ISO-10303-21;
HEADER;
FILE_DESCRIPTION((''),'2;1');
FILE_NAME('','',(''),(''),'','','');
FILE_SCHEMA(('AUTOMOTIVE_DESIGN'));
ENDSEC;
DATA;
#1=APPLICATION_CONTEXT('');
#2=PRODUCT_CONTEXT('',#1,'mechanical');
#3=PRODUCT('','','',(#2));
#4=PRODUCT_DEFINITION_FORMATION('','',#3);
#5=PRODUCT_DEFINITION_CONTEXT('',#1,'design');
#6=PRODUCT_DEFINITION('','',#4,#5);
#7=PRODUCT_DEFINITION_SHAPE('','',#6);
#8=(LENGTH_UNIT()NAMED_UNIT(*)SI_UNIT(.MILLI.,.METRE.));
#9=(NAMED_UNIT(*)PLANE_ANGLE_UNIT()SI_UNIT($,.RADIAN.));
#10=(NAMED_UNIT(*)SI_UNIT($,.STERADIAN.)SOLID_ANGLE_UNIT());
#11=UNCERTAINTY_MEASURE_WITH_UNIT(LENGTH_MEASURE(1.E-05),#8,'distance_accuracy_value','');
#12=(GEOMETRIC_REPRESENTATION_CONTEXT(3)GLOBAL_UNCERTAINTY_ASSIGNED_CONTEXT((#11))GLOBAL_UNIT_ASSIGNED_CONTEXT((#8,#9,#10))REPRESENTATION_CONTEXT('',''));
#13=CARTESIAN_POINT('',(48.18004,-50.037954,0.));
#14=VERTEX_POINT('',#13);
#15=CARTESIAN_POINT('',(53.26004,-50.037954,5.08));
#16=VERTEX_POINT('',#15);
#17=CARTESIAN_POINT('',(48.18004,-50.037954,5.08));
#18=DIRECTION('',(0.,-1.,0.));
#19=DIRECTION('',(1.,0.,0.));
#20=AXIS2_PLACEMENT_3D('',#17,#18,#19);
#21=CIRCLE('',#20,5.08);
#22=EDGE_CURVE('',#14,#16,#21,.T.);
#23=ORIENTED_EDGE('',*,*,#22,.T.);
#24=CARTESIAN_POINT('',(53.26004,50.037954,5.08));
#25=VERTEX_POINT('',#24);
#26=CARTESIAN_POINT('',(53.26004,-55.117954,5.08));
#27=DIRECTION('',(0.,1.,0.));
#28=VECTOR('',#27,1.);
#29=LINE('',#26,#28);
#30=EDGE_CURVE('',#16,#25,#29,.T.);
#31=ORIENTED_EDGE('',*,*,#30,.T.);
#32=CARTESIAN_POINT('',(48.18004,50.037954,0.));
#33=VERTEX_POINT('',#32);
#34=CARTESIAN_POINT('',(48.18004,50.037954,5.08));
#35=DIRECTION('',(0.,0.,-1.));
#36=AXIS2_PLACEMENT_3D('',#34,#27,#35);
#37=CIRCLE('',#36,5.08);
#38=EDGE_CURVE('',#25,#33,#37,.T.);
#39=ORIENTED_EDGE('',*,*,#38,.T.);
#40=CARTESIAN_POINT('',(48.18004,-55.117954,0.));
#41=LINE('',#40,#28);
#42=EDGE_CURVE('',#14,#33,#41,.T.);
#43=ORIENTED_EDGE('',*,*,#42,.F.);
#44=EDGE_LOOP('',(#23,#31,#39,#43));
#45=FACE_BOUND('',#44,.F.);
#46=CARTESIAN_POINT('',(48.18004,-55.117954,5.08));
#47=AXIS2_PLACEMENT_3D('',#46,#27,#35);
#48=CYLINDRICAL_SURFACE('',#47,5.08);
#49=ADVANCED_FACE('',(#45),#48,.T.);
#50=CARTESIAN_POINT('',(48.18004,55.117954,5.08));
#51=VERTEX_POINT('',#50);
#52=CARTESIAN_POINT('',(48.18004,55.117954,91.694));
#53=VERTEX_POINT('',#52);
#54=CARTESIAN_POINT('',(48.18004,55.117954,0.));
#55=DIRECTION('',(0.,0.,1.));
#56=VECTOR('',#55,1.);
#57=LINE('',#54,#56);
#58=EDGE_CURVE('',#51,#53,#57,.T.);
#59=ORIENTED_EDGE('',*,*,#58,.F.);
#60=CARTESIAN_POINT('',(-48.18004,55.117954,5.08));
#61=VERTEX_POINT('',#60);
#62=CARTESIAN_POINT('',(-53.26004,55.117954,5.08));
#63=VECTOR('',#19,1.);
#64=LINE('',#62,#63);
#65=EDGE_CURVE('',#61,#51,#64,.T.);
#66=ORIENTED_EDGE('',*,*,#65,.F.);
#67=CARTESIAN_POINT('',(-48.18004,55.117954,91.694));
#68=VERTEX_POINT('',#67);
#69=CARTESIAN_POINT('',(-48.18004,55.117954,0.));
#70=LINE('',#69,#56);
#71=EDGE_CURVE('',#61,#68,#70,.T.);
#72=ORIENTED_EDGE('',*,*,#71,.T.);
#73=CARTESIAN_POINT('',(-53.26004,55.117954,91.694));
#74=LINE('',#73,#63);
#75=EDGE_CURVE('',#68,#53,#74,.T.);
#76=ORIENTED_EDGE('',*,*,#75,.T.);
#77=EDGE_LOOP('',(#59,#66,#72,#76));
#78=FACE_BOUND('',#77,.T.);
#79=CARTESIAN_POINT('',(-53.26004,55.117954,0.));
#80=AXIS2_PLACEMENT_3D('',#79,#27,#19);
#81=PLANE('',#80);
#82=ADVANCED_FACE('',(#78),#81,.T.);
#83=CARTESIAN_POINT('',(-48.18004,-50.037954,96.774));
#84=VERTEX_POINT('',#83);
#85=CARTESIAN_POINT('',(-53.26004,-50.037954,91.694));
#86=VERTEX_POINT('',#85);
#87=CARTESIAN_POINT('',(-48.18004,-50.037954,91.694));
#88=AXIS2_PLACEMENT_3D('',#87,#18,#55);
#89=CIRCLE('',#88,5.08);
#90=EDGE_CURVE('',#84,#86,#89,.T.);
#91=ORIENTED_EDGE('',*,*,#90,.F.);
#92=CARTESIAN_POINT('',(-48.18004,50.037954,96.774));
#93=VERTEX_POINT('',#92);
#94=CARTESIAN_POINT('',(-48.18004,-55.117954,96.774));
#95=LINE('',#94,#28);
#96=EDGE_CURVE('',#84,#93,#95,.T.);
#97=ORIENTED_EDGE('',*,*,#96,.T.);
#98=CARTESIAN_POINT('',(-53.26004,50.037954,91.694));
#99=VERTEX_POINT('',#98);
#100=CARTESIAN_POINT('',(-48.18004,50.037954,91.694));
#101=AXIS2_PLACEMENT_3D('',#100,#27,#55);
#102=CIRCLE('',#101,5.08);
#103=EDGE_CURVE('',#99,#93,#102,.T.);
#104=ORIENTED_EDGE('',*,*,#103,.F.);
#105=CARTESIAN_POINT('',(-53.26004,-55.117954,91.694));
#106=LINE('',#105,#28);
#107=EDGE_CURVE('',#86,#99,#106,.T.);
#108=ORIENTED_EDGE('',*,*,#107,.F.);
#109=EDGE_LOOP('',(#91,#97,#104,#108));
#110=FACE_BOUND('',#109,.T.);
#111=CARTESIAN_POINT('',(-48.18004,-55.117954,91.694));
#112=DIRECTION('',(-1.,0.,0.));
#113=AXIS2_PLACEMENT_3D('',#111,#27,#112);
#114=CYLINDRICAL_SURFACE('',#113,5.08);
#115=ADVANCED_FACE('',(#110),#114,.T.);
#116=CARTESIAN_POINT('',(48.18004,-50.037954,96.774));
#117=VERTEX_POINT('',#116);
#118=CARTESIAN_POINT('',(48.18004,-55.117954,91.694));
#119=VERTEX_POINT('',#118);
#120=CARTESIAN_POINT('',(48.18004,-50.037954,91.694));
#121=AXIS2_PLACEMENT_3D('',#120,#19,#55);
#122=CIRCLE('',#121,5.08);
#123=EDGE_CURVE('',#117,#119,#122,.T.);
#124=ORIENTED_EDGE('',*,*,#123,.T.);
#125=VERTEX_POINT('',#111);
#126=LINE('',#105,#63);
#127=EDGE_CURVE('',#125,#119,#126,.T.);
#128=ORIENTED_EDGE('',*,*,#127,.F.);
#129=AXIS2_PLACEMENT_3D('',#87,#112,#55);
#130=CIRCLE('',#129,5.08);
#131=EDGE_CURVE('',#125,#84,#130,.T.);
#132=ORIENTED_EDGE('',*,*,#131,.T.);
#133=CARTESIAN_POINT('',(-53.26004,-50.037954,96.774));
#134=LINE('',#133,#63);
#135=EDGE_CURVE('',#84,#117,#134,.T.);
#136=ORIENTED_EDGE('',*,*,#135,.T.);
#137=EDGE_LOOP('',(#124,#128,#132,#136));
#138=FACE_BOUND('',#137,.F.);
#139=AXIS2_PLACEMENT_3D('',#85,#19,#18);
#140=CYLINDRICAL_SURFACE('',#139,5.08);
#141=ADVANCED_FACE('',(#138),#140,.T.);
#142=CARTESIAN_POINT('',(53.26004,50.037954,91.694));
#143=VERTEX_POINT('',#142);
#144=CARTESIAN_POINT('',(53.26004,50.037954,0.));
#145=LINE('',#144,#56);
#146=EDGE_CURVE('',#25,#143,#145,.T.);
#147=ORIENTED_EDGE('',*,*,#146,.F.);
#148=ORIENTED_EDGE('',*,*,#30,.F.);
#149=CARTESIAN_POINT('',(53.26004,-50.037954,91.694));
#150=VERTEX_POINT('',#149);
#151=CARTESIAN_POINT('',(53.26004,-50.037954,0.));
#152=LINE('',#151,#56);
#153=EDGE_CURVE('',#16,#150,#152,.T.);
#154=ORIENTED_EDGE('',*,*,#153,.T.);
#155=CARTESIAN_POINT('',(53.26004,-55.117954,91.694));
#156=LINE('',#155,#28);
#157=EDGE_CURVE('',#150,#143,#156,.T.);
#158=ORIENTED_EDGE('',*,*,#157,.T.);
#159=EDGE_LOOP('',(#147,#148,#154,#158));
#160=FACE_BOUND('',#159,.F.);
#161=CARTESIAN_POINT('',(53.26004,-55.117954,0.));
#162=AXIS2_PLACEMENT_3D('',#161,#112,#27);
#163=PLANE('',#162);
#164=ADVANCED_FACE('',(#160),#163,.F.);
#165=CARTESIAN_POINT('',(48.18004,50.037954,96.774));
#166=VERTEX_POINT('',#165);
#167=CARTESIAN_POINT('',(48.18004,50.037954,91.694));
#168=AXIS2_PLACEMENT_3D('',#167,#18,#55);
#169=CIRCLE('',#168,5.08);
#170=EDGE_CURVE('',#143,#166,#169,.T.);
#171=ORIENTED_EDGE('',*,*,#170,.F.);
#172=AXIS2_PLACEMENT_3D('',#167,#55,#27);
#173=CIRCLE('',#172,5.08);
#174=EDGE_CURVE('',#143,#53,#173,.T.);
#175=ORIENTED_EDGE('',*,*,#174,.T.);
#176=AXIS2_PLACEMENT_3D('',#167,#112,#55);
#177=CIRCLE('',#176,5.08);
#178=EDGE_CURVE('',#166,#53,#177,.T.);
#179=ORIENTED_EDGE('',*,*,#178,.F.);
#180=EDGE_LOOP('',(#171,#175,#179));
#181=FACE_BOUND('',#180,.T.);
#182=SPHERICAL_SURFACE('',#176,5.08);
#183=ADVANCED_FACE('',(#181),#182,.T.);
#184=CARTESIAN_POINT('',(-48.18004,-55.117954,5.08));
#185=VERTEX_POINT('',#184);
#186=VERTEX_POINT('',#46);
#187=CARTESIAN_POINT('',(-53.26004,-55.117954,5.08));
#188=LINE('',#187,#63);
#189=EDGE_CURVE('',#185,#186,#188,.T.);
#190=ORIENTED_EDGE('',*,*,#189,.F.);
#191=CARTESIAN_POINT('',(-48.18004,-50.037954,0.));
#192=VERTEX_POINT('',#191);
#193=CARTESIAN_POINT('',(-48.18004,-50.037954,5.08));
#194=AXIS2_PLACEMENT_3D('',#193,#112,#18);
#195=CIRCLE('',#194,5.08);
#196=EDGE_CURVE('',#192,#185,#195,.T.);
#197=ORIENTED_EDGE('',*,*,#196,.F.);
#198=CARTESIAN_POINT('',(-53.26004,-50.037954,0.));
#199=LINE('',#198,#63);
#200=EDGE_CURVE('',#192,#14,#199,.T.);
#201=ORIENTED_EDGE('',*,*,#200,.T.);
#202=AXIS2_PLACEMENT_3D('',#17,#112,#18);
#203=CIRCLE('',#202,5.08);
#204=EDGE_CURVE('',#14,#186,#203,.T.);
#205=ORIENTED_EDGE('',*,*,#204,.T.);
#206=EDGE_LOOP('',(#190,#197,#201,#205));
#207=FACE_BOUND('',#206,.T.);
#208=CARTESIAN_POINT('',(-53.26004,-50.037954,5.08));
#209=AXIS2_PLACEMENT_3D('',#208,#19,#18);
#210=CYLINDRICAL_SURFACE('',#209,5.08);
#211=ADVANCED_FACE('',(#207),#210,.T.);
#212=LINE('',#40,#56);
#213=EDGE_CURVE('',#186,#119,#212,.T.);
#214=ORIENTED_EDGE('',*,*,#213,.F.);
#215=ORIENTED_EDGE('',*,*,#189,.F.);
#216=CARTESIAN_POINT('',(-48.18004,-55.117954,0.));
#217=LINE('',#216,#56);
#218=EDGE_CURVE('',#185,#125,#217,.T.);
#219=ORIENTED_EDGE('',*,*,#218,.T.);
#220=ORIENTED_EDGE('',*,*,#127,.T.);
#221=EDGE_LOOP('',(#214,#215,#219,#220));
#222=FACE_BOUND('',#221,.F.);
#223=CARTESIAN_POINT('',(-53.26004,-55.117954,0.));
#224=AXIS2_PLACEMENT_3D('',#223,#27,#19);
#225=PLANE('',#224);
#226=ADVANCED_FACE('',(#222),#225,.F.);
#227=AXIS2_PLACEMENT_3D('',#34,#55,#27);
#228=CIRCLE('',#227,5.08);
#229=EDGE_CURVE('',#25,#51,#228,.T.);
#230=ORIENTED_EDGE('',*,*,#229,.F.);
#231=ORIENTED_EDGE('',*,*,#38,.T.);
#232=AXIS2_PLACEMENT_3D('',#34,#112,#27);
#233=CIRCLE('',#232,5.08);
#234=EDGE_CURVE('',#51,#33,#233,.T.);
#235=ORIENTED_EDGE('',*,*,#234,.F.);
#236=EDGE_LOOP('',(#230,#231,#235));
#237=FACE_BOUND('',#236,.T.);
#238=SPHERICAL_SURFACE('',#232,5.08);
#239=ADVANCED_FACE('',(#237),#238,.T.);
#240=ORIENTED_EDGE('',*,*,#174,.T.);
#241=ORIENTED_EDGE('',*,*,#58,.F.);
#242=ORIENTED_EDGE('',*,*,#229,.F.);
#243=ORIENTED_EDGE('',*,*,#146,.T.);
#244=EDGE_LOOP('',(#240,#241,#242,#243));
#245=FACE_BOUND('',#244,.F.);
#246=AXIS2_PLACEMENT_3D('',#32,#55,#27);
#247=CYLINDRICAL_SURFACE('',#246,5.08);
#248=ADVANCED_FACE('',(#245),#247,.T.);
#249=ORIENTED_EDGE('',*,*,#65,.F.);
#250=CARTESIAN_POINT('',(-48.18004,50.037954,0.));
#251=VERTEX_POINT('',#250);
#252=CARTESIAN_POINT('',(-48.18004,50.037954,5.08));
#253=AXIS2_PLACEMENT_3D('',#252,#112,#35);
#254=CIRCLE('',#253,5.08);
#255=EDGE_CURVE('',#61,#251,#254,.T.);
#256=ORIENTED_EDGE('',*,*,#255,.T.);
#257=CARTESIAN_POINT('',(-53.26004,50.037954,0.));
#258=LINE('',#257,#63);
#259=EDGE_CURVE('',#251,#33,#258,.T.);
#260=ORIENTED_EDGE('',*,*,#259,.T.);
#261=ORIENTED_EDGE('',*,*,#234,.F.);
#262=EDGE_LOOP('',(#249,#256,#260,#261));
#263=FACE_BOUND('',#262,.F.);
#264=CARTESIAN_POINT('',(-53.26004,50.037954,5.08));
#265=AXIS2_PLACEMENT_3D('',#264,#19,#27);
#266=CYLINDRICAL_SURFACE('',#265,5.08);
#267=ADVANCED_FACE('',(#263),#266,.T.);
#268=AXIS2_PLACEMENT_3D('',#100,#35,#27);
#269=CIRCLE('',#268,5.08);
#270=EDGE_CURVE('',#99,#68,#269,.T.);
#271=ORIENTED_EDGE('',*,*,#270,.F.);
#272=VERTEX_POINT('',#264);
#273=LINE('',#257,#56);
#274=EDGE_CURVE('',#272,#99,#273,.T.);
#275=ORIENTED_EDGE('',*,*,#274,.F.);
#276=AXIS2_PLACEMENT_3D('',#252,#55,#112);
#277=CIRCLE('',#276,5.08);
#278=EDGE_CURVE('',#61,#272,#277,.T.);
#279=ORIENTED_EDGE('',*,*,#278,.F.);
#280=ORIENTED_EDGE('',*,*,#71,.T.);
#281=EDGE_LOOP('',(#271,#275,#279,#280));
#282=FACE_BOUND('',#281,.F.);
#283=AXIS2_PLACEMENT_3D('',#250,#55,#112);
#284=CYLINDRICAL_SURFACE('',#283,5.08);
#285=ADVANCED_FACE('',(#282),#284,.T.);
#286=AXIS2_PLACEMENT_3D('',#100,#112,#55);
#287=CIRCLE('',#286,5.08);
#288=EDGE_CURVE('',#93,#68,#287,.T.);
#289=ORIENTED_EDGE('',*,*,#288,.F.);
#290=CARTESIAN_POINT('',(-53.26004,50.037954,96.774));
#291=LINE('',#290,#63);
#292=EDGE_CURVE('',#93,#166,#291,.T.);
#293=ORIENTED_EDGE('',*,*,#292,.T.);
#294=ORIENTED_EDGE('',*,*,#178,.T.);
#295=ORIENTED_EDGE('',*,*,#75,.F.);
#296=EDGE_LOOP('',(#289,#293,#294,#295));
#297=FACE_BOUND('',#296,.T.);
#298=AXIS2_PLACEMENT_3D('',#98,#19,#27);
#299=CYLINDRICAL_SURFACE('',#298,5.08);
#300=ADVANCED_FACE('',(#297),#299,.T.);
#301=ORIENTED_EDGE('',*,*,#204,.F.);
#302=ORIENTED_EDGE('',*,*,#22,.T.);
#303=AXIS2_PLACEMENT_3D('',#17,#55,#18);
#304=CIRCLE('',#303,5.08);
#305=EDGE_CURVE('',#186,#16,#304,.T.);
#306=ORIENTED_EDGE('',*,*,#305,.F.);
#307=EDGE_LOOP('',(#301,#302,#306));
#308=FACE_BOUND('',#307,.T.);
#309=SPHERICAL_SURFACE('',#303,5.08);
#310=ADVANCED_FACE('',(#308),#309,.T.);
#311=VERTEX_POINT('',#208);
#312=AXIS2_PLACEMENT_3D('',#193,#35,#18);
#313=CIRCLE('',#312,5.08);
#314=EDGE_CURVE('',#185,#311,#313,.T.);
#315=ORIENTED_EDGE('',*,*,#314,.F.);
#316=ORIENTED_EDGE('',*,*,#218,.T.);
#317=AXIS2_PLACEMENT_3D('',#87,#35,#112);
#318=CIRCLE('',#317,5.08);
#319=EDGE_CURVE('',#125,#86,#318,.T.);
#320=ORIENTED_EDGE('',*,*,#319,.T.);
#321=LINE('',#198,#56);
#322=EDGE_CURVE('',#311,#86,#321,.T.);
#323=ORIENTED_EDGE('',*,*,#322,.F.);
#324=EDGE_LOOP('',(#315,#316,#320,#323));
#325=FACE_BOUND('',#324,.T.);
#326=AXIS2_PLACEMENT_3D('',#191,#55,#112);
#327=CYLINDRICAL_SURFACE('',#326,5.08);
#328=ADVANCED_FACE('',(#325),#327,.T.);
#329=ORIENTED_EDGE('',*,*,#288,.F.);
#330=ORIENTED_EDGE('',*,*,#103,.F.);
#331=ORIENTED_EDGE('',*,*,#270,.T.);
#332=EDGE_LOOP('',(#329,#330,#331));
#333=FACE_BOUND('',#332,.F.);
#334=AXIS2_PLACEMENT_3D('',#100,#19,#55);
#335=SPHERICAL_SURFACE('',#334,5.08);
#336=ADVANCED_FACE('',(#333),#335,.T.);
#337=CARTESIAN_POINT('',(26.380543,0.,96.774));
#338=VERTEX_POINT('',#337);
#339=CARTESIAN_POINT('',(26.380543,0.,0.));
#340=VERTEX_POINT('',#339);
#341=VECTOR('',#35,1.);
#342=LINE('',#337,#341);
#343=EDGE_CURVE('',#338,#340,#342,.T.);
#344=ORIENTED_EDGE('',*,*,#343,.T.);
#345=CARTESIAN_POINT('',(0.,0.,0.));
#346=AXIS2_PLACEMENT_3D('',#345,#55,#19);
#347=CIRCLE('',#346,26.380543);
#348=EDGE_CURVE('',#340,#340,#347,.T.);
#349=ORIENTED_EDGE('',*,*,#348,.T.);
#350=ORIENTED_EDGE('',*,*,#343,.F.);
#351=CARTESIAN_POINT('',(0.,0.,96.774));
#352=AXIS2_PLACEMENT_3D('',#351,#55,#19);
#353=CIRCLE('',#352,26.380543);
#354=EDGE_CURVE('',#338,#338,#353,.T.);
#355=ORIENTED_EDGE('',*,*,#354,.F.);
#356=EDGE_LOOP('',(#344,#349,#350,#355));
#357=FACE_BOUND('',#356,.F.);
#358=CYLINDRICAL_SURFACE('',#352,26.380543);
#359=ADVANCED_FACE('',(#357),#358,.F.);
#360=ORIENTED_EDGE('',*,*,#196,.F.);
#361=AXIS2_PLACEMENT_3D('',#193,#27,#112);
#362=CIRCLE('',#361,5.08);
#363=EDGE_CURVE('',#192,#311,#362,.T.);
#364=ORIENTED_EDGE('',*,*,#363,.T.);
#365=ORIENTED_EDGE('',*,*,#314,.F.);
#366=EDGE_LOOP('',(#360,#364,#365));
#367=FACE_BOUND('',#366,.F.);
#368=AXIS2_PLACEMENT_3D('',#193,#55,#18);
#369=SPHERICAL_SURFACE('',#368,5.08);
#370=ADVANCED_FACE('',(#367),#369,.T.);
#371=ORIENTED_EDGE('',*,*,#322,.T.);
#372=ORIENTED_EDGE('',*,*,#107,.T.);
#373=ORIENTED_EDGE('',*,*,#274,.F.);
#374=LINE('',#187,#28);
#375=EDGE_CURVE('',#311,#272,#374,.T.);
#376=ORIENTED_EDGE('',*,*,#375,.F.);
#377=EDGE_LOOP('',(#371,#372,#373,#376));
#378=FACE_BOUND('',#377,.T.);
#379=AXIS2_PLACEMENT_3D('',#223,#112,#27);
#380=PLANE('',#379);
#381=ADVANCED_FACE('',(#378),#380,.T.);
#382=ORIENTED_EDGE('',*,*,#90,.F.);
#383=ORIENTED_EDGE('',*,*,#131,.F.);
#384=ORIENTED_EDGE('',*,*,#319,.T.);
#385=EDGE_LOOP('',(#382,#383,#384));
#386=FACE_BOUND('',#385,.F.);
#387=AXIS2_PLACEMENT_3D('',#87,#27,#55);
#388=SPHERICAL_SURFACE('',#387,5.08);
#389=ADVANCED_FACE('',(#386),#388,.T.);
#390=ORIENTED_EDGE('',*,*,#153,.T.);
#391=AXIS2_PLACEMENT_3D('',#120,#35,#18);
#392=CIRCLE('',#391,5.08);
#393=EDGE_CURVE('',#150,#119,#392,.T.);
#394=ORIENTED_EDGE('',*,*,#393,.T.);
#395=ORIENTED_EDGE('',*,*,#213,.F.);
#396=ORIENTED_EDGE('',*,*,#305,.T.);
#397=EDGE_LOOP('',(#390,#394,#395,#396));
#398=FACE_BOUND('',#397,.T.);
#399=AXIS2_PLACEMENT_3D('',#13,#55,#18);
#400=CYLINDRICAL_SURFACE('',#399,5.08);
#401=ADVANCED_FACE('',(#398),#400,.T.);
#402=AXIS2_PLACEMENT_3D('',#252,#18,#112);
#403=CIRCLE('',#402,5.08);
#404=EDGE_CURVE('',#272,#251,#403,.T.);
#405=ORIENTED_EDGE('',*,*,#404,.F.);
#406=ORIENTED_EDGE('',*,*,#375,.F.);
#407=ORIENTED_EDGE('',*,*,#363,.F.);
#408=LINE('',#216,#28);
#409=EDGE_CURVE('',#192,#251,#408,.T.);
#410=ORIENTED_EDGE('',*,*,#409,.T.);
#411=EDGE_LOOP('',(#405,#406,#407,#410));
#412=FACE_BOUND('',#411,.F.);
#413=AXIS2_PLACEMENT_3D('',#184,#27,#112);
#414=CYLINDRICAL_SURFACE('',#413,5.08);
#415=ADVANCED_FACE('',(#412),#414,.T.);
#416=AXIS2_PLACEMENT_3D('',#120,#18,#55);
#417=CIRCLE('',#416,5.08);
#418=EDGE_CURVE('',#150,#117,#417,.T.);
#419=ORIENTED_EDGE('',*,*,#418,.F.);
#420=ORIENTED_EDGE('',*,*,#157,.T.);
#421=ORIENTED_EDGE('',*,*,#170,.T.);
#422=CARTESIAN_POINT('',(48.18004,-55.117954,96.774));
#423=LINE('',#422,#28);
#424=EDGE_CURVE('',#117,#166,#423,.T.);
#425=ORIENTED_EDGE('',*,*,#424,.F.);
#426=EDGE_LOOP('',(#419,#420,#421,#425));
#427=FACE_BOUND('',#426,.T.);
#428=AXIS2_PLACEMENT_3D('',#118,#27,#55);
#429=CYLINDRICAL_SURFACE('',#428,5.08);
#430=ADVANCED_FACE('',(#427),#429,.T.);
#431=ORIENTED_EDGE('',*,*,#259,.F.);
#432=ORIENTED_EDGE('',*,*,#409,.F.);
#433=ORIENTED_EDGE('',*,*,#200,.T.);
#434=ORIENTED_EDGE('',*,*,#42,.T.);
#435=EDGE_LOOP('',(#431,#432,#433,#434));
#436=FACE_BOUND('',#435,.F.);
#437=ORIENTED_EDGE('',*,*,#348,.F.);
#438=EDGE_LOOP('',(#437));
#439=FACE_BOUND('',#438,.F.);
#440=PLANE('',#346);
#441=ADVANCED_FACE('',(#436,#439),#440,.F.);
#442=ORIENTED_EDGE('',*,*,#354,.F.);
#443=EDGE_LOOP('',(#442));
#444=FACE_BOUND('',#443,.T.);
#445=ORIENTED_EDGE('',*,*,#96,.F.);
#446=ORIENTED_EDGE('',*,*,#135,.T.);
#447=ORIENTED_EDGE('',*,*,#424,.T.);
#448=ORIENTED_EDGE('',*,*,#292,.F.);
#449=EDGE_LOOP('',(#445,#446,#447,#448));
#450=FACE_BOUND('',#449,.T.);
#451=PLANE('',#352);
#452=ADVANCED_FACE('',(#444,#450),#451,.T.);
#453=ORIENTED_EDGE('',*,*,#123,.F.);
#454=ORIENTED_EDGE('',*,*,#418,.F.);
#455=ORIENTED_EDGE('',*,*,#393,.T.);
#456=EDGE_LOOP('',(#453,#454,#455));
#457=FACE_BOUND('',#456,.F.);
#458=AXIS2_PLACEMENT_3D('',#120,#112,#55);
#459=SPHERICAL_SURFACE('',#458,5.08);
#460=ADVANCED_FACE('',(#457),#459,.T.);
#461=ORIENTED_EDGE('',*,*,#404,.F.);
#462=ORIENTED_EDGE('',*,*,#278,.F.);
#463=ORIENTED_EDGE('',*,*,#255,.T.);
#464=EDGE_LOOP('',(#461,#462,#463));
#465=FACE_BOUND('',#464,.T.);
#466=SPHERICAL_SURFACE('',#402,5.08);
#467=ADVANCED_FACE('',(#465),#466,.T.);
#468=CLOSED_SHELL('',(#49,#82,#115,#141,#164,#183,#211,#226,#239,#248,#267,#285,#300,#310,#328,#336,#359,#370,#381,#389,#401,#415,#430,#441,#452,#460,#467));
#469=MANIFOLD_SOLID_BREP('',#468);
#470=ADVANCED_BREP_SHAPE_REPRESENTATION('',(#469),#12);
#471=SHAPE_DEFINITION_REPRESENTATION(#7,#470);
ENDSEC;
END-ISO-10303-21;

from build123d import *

# Parameters (mm, degrees)
F0_W     = 106.52008
F0_H     = 110.235908
F1_DEPTH = 96.774
F2_R     = 26.380543
F3_DEPTH = 130.81
F4_R     = 5.08


with BuildPart() as f1:
    # F0 (on Top) → F1 (new body)
    with BuildSketch(Plane.XY):
        Rectangle(F0_W, F0_H)
    extrude(amount=F1_DEPTH)

    # F2 (on face) → F3 (cut)
    with BuildSketch(Plane.XY.offset(96.774)):
        Circle(F2_R)
    extrude(amount=-F3_DEPTH, mode=Mode.SUBTRACT)

    # F4
    f4_edges = [f1.edges().sort_by_distance(p)[0] for p in [
        (0, 55.117954, 96.774),
        (-53.26004, 0, 96.774),
        (0, -55.117954, 96.774),
        (53.26004, 0, 96.774),
        (53.26004, -55.117954, 48.387),
        (-53.26004, -55.117954, 48.387),
        (0, -55.117954, 0),
        (-53.26004, 0, 0),
        (-53.26004, 55.117954, 48.387),
        (0, 55.117954, 0),
        (53.26004, 55.117954, 48.387),
        (53.26004, 0, 0),
    ]]
    fillet(f4_edges, radius=F4_R)


solid = f1.part
